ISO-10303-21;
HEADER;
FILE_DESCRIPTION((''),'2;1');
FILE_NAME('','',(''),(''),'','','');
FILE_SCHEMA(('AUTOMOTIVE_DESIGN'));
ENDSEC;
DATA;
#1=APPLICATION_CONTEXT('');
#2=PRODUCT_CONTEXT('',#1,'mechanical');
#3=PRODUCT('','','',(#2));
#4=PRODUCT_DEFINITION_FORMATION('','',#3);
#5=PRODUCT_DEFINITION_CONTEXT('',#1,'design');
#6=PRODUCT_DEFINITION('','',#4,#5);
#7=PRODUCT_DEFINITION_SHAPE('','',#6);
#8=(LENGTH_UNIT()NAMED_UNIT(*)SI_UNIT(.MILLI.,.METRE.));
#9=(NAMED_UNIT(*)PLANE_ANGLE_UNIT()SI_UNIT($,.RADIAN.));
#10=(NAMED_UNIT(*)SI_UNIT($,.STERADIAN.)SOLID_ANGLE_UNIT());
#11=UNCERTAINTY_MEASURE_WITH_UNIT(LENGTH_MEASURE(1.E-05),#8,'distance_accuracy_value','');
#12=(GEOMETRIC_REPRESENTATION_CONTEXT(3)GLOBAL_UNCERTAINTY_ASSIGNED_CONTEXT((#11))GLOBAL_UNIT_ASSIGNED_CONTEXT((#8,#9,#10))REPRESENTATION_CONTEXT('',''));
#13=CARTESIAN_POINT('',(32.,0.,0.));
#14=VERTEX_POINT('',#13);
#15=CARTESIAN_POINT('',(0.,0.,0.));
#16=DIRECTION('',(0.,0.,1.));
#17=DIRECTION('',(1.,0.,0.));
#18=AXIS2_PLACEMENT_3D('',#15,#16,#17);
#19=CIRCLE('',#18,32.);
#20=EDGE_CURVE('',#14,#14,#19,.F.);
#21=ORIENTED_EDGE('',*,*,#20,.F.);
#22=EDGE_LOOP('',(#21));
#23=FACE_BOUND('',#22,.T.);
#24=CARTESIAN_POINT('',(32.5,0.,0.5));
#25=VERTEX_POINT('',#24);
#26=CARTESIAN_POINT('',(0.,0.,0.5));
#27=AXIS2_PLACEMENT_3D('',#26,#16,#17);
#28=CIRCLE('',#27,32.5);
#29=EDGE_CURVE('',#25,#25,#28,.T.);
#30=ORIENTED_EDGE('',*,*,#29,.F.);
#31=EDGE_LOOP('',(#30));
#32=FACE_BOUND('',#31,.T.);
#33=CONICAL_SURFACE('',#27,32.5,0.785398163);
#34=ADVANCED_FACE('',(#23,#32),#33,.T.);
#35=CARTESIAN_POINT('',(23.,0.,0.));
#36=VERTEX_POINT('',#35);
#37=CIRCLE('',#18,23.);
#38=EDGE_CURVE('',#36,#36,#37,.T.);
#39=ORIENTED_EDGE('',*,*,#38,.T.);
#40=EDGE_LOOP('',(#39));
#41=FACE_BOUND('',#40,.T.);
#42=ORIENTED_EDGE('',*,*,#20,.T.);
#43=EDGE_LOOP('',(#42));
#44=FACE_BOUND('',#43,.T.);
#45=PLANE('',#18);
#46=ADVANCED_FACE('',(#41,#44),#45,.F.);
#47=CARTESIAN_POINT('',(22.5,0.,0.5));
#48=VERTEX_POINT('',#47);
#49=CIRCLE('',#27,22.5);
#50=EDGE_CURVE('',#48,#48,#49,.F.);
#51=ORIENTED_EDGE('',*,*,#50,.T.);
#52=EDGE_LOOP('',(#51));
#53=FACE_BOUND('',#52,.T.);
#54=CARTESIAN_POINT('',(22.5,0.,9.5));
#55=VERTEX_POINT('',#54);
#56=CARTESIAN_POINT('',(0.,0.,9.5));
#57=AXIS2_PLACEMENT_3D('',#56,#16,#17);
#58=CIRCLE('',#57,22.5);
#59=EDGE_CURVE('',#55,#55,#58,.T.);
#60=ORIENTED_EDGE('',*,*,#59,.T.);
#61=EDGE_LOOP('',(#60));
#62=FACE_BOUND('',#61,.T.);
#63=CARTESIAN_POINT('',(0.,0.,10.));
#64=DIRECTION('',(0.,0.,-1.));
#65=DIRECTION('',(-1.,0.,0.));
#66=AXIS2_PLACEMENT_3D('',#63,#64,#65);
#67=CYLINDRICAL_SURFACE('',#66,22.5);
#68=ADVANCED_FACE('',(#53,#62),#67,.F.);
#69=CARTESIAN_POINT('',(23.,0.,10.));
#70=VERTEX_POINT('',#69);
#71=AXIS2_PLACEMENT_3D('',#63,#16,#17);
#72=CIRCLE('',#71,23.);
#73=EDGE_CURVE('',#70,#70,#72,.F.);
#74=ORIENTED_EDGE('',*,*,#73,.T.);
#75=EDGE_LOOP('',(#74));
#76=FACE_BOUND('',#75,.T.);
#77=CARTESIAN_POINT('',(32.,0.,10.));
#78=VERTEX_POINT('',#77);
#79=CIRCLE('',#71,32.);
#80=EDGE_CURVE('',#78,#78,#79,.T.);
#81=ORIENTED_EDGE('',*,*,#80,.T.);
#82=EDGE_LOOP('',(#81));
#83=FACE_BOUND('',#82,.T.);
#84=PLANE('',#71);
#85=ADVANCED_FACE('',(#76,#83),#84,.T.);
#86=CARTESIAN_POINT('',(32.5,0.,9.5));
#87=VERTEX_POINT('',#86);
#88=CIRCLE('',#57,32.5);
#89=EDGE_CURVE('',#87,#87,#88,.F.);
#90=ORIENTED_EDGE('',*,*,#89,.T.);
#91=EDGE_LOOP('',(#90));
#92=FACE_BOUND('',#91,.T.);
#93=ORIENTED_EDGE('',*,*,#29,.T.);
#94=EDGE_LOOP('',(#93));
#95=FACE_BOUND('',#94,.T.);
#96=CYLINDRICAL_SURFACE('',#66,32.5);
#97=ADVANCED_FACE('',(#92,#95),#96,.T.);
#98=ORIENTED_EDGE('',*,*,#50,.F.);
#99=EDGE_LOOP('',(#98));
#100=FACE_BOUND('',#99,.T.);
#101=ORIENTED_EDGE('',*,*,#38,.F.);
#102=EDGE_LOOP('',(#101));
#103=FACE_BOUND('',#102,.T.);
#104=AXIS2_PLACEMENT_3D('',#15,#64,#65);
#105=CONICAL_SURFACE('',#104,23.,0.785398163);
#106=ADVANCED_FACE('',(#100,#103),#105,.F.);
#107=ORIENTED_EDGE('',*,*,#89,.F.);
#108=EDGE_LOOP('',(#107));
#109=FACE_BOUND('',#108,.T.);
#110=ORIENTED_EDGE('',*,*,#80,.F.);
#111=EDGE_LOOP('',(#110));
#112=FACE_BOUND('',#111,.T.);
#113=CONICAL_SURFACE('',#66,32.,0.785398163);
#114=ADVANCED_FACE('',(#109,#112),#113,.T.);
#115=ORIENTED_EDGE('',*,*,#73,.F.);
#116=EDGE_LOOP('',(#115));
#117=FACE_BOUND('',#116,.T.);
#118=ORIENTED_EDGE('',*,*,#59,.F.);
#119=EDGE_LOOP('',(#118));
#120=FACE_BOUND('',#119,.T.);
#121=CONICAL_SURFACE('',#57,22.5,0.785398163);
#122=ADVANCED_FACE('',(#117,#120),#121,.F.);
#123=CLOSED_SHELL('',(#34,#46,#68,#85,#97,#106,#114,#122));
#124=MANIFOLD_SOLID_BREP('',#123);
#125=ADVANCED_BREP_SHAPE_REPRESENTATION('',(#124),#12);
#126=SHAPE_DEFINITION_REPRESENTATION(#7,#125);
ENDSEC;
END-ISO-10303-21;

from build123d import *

# Parameters (mm, degrees)
SKETCH3_R           = 32.5
SKETCH3_R_2         = 22.5
BOSS_EXTRUDE1_DEPTH = 10
CHAMFER1_SIZE       = 0.5


with BuildPart() as part:
    # Sketch3 → Boss-Extrude1 (new body)
    with BuildSketch(Plane.XY):
        Circle(SKETCH3_R)
        Circle(SKETCH3_R_2, mode=Mode.SUBTRACT)
    extrude(amount=BOSS_EXTRUDE1_DEPTH)

    # Chamfer1
    chamfer1_edges = [part.edges().sort_by_distance(p)[0] for p in [
        (-32.5, 0, 0),
        (-32.5, 0, 10),
        (-22.5, 0, 0),
        (-22.5, 0, 10),
    ]]
    chamfer(chamfer1_edges, length=CHAMFER1_SIZE)


solid = part.part
